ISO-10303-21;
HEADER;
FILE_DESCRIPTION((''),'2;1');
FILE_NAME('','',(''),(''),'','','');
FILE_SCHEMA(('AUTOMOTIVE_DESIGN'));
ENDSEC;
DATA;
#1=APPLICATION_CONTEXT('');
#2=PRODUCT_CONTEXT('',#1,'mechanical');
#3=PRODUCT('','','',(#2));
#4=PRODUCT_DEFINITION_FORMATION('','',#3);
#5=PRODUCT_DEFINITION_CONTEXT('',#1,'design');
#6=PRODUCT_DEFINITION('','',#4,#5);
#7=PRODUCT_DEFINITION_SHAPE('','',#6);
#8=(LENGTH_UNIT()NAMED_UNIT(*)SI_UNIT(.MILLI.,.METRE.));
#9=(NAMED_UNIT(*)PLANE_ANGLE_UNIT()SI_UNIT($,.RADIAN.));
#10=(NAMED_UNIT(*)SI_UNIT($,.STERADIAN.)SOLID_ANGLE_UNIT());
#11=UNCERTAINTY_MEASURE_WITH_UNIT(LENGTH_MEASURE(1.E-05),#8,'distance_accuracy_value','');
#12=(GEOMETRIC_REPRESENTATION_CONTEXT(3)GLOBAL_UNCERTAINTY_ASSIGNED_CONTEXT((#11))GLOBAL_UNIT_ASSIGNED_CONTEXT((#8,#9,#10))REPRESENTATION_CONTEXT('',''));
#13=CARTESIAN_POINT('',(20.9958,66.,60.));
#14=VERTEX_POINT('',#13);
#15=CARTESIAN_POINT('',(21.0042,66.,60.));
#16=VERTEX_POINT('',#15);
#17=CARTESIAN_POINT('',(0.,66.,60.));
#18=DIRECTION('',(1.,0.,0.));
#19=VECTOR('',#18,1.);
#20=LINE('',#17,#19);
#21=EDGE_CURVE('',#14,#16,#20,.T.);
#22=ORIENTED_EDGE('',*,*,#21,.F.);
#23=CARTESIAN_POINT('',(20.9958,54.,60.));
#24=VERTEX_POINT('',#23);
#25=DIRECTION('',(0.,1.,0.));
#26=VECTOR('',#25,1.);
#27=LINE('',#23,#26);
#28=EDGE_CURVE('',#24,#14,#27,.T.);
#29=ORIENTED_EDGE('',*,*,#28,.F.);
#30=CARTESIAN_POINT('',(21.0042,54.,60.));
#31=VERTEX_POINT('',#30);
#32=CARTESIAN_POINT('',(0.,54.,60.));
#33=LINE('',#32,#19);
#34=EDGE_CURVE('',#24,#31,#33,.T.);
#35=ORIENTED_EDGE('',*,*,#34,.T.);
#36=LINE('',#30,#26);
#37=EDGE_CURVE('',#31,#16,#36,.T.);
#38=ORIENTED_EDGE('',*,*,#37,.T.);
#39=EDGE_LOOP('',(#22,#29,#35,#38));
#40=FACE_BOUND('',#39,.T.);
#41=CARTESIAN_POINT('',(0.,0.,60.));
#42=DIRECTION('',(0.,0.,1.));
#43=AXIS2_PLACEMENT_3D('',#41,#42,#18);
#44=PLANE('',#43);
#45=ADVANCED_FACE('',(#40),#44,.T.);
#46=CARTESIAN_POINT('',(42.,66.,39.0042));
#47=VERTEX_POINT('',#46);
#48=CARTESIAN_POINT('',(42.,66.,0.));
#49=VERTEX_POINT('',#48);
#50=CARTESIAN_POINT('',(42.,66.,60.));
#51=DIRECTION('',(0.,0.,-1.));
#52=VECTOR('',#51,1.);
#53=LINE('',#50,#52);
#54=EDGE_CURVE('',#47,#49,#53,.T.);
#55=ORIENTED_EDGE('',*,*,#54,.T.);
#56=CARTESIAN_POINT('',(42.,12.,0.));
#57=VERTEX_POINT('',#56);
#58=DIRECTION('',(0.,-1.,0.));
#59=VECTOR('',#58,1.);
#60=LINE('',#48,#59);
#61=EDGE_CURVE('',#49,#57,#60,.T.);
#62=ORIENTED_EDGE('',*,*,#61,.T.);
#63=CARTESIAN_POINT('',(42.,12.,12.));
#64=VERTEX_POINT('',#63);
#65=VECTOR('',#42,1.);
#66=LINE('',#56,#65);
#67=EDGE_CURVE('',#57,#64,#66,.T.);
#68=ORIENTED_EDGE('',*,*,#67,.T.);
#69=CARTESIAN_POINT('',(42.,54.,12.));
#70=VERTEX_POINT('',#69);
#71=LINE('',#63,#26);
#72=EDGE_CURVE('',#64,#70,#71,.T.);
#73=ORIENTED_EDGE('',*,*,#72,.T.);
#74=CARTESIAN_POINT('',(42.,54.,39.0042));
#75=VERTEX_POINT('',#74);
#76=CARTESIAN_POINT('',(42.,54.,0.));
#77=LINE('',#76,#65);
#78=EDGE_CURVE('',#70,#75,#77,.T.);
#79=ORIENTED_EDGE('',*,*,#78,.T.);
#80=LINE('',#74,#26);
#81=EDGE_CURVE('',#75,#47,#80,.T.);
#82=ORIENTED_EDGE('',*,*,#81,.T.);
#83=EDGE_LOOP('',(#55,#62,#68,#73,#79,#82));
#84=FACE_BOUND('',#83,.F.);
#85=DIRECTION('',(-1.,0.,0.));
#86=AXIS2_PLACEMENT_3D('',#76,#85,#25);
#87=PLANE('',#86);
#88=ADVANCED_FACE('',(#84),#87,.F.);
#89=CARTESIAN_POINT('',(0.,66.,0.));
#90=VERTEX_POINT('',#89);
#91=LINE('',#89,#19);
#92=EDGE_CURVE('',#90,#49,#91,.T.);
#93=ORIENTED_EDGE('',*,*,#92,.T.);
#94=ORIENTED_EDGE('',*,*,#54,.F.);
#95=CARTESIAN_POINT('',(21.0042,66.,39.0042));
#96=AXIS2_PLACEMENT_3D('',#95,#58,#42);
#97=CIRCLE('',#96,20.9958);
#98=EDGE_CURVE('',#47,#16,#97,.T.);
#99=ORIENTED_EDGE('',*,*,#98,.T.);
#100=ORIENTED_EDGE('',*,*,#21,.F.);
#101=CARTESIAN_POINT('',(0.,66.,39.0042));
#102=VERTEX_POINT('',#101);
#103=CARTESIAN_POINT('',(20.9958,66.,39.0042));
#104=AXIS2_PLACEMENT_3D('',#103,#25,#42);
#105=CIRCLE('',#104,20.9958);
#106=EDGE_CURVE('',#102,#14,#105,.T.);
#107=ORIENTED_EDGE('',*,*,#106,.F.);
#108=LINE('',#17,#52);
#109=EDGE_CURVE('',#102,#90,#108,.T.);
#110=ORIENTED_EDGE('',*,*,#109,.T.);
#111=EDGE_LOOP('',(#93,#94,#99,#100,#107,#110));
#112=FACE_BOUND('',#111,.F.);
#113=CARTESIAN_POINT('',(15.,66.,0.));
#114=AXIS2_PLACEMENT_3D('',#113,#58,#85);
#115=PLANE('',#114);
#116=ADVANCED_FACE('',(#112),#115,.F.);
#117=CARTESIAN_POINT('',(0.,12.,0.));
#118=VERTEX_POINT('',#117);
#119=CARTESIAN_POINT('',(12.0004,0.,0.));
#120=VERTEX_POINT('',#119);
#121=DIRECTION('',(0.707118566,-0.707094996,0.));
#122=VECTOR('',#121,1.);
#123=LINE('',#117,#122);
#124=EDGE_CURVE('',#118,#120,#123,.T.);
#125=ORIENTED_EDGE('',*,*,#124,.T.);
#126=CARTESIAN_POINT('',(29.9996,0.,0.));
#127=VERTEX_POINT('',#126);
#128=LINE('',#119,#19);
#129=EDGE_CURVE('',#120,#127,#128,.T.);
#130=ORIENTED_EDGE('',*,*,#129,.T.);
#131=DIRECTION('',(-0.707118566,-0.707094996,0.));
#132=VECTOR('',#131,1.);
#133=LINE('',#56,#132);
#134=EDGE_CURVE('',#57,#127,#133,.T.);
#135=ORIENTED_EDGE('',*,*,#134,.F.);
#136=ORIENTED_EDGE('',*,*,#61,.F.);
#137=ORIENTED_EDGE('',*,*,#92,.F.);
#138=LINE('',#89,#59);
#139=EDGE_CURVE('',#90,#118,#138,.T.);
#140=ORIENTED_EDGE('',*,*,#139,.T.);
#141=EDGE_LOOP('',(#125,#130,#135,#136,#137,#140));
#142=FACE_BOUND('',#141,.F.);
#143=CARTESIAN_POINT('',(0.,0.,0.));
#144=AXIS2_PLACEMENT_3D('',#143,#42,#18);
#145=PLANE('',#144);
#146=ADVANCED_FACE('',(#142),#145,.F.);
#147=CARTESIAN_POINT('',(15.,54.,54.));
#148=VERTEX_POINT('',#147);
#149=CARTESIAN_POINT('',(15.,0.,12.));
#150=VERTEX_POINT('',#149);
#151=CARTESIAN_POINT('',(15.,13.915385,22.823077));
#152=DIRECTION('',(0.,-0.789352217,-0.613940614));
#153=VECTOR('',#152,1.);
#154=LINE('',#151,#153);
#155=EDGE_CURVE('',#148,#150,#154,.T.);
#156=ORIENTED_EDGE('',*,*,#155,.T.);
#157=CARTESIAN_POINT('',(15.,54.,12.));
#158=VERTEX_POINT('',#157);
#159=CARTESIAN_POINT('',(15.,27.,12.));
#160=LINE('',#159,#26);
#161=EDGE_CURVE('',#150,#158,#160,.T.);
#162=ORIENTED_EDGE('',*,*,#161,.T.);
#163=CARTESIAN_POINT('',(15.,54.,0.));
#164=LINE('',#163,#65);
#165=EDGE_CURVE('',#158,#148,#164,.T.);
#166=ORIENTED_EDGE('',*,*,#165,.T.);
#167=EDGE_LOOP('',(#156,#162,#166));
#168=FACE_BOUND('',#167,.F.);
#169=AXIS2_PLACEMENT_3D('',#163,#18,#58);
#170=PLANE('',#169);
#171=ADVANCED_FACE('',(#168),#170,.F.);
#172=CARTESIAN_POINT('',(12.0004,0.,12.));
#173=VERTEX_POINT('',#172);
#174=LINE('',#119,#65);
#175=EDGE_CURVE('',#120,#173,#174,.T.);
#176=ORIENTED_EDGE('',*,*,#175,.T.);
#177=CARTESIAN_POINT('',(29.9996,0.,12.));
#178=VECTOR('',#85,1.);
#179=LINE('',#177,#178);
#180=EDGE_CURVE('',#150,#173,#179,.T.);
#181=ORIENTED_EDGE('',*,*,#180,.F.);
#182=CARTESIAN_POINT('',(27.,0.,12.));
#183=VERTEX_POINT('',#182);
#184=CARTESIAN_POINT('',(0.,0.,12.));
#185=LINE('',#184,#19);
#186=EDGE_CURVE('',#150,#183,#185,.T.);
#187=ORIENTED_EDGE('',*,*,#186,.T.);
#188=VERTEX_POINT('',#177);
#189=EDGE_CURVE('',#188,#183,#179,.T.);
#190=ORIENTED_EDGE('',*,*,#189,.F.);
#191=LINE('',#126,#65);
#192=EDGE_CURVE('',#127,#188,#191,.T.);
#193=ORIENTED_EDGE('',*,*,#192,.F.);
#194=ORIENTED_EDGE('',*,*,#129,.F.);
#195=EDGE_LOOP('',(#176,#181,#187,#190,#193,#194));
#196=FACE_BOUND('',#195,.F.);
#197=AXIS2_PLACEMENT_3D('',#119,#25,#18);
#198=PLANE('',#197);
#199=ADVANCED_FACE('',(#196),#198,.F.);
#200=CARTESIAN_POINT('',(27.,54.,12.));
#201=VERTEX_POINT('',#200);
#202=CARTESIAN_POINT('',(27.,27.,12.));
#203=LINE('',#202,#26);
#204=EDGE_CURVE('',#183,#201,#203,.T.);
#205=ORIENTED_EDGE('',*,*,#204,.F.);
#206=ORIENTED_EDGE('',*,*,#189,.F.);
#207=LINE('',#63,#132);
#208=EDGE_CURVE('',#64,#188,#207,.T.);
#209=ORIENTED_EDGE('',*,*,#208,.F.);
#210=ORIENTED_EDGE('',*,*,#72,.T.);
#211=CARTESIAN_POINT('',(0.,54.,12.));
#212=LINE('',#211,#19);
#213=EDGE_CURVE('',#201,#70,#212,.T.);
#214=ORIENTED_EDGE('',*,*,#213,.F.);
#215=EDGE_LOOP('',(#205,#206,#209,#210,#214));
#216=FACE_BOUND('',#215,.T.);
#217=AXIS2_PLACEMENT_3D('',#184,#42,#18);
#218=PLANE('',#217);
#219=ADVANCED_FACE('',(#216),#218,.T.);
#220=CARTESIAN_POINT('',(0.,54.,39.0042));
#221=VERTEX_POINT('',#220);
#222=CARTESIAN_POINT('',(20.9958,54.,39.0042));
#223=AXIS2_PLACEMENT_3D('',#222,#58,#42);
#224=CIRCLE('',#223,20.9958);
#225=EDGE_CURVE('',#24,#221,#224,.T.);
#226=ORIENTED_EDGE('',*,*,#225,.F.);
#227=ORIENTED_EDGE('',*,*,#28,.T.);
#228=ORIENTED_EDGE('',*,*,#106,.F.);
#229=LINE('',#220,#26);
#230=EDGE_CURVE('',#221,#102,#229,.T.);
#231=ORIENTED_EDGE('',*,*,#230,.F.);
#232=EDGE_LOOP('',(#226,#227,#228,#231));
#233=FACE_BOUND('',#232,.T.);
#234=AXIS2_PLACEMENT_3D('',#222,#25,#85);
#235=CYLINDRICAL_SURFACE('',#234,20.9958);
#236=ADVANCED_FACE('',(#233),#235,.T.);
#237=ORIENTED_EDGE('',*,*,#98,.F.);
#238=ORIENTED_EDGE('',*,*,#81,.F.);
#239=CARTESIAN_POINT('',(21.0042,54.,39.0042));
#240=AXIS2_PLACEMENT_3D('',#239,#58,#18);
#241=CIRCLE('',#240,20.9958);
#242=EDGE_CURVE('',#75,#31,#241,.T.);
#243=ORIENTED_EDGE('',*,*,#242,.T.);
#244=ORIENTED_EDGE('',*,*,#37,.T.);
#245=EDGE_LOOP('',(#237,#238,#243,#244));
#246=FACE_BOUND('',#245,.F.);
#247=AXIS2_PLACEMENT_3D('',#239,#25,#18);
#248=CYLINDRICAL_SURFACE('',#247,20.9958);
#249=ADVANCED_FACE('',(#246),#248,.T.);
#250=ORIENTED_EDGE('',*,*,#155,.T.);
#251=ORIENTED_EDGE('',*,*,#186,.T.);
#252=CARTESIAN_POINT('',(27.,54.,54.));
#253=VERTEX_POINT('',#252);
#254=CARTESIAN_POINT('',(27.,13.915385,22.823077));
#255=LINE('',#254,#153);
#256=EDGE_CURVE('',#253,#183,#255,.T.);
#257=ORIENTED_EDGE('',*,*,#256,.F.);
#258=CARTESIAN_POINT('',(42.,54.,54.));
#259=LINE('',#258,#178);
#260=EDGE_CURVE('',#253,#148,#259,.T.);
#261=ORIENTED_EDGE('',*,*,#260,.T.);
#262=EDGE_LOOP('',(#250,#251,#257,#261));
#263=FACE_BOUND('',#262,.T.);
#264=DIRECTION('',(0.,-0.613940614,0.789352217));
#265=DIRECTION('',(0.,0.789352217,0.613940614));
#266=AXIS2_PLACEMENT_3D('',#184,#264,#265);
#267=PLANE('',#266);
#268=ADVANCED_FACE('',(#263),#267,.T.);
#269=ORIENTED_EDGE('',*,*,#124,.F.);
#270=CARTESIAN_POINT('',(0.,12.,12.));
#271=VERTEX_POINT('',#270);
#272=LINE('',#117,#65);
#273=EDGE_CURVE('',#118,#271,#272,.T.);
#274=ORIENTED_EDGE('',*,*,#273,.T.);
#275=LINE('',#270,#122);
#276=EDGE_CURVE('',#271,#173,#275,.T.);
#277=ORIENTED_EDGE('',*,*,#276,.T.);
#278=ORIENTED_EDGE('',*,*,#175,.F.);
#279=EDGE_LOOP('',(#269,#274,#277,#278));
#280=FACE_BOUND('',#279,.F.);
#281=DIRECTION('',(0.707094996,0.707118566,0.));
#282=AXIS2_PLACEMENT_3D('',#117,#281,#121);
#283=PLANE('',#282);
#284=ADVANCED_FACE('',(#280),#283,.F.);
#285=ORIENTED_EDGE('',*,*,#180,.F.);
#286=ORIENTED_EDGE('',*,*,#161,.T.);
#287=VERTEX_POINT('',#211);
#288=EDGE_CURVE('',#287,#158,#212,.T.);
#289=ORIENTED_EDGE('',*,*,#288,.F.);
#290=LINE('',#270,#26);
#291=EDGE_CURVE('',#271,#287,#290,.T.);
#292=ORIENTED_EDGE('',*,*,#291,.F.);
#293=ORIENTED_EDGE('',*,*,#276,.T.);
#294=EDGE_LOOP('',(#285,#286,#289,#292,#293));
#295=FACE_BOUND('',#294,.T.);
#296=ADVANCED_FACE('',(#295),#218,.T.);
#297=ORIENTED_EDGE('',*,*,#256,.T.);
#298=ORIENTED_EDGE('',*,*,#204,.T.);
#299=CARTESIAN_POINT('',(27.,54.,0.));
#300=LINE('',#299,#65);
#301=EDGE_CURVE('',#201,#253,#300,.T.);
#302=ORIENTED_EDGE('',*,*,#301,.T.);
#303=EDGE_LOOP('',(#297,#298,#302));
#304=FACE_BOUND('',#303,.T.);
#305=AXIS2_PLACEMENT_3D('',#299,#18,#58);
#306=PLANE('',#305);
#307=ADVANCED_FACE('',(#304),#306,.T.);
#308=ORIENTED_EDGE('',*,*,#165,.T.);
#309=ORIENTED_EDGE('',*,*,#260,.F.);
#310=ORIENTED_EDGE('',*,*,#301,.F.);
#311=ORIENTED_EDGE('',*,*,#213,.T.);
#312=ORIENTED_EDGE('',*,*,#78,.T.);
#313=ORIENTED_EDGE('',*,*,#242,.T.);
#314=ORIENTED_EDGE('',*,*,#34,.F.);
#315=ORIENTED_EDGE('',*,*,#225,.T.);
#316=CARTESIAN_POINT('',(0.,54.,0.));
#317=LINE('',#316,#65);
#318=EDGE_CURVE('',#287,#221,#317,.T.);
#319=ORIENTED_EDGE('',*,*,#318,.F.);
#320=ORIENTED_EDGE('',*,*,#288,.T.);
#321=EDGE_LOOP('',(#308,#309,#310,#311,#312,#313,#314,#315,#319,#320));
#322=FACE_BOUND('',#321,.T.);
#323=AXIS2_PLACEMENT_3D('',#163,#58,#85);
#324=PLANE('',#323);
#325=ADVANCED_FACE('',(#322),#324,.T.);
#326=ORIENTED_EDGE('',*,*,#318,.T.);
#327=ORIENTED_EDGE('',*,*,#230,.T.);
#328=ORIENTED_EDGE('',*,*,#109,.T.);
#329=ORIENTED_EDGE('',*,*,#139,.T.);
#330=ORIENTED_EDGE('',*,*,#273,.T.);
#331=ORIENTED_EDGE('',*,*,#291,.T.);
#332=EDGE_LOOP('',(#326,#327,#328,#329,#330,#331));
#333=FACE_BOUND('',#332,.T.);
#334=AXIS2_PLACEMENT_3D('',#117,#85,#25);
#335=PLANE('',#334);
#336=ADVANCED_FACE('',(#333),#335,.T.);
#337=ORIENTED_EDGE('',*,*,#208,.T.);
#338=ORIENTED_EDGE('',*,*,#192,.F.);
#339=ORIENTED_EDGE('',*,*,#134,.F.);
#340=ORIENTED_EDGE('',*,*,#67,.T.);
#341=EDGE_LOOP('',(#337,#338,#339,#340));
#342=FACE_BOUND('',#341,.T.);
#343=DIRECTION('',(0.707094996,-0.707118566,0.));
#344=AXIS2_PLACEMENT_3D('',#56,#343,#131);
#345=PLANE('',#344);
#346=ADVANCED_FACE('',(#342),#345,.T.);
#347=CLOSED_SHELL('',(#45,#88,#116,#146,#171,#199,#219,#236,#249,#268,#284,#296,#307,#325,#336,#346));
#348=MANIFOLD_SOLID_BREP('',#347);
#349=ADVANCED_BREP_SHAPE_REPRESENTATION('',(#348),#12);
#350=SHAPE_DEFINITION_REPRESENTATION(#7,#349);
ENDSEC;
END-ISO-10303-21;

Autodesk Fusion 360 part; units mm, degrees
sketch "top view" plane through (0, 0, 0) normal (0, 0, 1) x (1, 0, 0)
  line L0 (12.0004, 0) -> (29.9996, 0)
  line L1 (42, 12) -> (42, 66)
  line L2 (42, 66) -> (0, 66)
  line L3 (0, 66) -> (0, 0) construction
  line L4 (21, 66) -> (21, 0) construction
  line L5 (0, 66) -> (15, 66)
  line L6 (15, 54) -> (15, 0)
  line L7 (15, 0) -> (12.0004, 0) construction
  line L8 (0, 12) -> (0, 66)
  line L9 (27, 54) -> (27, 0)
  line L10 (0, 0) -> (12.0004, 0) construction
  line L11 (12.0004, 0) -> (12.0004, 12) construction
  line L12 (12.0004, 12) -> (0, 12) construction
  line L13 (0, 12) -> (0, 0) construction
  line L14 (0, 12) -> (12.0004, 0)
  line L15 (29.9996, 12) -> (42, 12) construction
  line L16 (29.9996, 0) -> (29.9996, 12) construction
  line L17 (42, 12) -> (29.9996, 0)
  line L18 (42, 12) -> (42, 0) construction
  line L19 (42, 0) -> (29.9996, 0) construction
  line L20 (0, 66) -> (42, 66)
  line L21 (42, 66) -> (42, 54)
  line L22 (42, 54) -> (0, 54)
  line L23 (0, 54) -> (0, 66)
  line L24 (15, 66) -> (15, 54) construction
  line L25 (27, 54) -> (27, 66) construction
  dimension "d1" = 66
  dimension "d3" = 12
  dimension "d4" = 12
extrude "Extrude1" add sketch "top view" along normal blind 12
extrude "Extrude2" add sketch "top view" along normal blind 60 contours L1 L2 L5 L8 L20 L21 L22 L23
fillet "Fillet1" radius 21 2 edges at (0, 60, 60) (42, 60, 60)
extrude "Extrude3" add sketch "top view" along normal blind 54 contours L0 L6 L9 L22
sketch "middle part side view" plane through (0, 0, 0) normal (1, 0, 0) x (0, 1, 0)
  line L0 (0, 12) -> (54, 54)
  line L1 (54, 54) -> (54, 12)
  line L2 (54, 12) -> (0, 12)
  line L3 (0, 54) -> (0, 12)
  line L4 (54, 54) -> (0, 54)
extrude "Extrude4" cut sketch "middle part side view" along normal blind 45 contours L0 L3 L4
